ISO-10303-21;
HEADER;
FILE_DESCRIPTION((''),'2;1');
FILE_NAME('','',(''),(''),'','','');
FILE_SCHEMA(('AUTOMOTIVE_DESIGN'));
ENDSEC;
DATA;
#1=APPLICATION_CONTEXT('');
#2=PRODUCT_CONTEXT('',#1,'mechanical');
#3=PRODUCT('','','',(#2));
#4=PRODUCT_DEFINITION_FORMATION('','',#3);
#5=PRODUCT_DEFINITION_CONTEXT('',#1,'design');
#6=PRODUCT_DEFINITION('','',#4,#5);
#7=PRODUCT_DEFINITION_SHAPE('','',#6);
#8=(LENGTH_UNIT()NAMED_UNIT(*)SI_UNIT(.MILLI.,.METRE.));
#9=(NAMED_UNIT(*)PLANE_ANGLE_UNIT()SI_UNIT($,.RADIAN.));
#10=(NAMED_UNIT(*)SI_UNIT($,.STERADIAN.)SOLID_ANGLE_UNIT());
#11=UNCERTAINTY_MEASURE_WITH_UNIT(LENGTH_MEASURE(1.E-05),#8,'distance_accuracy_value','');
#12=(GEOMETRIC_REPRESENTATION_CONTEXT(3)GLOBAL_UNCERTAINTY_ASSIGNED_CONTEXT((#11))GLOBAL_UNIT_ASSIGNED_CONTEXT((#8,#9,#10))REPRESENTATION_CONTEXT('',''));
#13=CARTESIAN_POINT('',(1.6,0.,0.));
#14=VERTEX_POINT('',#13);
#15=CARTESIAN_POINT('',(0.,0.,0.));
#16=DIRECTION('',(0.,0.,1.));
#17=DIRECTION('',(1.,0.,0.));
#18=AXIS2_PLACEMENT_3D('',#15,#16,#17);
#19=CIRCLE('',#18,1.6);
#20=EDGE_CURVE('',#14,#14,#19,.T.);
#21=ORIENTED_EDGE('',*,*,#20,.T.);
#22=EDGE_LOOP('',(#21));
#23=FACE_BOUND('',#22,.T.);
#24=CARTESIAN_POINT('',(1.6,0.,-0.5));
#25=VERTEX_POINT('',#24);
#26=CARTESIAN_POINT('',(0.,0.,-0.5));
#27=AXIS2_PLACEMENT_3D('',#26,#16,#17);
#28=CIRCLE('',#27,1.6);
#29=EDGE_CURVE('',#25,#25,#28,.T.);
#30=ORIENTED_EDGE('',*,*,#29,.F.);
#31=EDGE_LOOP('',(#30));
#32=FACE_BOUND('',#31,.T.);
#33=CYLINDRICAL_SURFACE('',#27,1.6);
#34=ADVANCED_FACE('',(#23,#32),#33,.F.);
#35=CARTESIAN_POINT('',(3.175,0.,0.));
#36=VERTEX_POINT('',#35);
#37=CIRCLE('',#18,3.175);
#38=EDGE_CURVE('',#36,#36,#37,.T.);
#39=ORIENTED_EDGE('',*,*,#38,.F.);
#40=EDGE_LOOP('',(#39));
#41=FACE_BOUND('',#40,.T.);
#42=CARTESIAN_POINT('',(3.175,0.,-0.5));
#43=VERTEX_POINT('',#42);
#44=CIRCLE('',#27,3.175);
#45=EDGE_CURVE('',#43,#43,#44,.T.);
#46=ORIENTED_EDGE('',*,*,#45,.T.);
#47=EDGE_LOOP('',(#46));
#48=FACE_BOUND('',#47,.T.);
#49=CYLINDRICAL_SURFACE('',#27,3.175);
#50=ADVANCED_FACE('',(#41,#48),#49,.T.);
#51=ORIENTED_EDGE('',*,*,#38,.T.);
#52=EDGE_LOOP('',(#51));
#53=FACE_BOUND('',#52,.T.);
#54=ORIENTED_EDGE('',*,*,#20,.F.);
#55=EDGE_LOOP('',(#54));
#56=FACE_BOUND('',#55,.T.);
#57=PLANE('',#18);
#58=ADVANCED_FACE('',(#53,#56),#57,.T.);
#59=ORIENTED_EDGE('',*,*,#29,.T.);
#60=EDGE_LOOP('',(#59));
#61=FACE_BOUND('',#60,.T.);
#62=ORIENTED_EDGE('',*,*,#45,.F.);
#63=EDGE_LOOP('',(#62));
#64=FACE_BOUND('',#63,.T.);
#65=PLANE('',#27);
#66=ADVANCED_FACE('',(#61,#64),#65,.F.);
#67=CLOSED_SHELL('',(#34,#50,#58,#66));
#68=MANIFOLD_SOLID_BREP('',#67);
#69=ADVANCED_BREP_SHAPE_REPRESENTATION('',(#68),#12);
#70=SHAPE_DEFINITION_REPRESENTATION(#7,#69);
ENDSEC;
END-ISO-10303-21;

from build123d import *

# Parameters (mm, degrees)
SKETCH1_R      = 3.175
SKETCH1_R_2    = 1.6
EXTRUDE1_DEPTH = 0.5


with BuildPart() as part:
    # Sketch1 → Extrude1 (new body)
    with BuildSketch(Plane.XY):
        Circle(SKETCH1_R)
        Circle(SKETCH1_R_2, mode=Mode.SUBTRACT)
    extrude(amount=-EXTRUDE1_DEPTH)


solid = part.part
